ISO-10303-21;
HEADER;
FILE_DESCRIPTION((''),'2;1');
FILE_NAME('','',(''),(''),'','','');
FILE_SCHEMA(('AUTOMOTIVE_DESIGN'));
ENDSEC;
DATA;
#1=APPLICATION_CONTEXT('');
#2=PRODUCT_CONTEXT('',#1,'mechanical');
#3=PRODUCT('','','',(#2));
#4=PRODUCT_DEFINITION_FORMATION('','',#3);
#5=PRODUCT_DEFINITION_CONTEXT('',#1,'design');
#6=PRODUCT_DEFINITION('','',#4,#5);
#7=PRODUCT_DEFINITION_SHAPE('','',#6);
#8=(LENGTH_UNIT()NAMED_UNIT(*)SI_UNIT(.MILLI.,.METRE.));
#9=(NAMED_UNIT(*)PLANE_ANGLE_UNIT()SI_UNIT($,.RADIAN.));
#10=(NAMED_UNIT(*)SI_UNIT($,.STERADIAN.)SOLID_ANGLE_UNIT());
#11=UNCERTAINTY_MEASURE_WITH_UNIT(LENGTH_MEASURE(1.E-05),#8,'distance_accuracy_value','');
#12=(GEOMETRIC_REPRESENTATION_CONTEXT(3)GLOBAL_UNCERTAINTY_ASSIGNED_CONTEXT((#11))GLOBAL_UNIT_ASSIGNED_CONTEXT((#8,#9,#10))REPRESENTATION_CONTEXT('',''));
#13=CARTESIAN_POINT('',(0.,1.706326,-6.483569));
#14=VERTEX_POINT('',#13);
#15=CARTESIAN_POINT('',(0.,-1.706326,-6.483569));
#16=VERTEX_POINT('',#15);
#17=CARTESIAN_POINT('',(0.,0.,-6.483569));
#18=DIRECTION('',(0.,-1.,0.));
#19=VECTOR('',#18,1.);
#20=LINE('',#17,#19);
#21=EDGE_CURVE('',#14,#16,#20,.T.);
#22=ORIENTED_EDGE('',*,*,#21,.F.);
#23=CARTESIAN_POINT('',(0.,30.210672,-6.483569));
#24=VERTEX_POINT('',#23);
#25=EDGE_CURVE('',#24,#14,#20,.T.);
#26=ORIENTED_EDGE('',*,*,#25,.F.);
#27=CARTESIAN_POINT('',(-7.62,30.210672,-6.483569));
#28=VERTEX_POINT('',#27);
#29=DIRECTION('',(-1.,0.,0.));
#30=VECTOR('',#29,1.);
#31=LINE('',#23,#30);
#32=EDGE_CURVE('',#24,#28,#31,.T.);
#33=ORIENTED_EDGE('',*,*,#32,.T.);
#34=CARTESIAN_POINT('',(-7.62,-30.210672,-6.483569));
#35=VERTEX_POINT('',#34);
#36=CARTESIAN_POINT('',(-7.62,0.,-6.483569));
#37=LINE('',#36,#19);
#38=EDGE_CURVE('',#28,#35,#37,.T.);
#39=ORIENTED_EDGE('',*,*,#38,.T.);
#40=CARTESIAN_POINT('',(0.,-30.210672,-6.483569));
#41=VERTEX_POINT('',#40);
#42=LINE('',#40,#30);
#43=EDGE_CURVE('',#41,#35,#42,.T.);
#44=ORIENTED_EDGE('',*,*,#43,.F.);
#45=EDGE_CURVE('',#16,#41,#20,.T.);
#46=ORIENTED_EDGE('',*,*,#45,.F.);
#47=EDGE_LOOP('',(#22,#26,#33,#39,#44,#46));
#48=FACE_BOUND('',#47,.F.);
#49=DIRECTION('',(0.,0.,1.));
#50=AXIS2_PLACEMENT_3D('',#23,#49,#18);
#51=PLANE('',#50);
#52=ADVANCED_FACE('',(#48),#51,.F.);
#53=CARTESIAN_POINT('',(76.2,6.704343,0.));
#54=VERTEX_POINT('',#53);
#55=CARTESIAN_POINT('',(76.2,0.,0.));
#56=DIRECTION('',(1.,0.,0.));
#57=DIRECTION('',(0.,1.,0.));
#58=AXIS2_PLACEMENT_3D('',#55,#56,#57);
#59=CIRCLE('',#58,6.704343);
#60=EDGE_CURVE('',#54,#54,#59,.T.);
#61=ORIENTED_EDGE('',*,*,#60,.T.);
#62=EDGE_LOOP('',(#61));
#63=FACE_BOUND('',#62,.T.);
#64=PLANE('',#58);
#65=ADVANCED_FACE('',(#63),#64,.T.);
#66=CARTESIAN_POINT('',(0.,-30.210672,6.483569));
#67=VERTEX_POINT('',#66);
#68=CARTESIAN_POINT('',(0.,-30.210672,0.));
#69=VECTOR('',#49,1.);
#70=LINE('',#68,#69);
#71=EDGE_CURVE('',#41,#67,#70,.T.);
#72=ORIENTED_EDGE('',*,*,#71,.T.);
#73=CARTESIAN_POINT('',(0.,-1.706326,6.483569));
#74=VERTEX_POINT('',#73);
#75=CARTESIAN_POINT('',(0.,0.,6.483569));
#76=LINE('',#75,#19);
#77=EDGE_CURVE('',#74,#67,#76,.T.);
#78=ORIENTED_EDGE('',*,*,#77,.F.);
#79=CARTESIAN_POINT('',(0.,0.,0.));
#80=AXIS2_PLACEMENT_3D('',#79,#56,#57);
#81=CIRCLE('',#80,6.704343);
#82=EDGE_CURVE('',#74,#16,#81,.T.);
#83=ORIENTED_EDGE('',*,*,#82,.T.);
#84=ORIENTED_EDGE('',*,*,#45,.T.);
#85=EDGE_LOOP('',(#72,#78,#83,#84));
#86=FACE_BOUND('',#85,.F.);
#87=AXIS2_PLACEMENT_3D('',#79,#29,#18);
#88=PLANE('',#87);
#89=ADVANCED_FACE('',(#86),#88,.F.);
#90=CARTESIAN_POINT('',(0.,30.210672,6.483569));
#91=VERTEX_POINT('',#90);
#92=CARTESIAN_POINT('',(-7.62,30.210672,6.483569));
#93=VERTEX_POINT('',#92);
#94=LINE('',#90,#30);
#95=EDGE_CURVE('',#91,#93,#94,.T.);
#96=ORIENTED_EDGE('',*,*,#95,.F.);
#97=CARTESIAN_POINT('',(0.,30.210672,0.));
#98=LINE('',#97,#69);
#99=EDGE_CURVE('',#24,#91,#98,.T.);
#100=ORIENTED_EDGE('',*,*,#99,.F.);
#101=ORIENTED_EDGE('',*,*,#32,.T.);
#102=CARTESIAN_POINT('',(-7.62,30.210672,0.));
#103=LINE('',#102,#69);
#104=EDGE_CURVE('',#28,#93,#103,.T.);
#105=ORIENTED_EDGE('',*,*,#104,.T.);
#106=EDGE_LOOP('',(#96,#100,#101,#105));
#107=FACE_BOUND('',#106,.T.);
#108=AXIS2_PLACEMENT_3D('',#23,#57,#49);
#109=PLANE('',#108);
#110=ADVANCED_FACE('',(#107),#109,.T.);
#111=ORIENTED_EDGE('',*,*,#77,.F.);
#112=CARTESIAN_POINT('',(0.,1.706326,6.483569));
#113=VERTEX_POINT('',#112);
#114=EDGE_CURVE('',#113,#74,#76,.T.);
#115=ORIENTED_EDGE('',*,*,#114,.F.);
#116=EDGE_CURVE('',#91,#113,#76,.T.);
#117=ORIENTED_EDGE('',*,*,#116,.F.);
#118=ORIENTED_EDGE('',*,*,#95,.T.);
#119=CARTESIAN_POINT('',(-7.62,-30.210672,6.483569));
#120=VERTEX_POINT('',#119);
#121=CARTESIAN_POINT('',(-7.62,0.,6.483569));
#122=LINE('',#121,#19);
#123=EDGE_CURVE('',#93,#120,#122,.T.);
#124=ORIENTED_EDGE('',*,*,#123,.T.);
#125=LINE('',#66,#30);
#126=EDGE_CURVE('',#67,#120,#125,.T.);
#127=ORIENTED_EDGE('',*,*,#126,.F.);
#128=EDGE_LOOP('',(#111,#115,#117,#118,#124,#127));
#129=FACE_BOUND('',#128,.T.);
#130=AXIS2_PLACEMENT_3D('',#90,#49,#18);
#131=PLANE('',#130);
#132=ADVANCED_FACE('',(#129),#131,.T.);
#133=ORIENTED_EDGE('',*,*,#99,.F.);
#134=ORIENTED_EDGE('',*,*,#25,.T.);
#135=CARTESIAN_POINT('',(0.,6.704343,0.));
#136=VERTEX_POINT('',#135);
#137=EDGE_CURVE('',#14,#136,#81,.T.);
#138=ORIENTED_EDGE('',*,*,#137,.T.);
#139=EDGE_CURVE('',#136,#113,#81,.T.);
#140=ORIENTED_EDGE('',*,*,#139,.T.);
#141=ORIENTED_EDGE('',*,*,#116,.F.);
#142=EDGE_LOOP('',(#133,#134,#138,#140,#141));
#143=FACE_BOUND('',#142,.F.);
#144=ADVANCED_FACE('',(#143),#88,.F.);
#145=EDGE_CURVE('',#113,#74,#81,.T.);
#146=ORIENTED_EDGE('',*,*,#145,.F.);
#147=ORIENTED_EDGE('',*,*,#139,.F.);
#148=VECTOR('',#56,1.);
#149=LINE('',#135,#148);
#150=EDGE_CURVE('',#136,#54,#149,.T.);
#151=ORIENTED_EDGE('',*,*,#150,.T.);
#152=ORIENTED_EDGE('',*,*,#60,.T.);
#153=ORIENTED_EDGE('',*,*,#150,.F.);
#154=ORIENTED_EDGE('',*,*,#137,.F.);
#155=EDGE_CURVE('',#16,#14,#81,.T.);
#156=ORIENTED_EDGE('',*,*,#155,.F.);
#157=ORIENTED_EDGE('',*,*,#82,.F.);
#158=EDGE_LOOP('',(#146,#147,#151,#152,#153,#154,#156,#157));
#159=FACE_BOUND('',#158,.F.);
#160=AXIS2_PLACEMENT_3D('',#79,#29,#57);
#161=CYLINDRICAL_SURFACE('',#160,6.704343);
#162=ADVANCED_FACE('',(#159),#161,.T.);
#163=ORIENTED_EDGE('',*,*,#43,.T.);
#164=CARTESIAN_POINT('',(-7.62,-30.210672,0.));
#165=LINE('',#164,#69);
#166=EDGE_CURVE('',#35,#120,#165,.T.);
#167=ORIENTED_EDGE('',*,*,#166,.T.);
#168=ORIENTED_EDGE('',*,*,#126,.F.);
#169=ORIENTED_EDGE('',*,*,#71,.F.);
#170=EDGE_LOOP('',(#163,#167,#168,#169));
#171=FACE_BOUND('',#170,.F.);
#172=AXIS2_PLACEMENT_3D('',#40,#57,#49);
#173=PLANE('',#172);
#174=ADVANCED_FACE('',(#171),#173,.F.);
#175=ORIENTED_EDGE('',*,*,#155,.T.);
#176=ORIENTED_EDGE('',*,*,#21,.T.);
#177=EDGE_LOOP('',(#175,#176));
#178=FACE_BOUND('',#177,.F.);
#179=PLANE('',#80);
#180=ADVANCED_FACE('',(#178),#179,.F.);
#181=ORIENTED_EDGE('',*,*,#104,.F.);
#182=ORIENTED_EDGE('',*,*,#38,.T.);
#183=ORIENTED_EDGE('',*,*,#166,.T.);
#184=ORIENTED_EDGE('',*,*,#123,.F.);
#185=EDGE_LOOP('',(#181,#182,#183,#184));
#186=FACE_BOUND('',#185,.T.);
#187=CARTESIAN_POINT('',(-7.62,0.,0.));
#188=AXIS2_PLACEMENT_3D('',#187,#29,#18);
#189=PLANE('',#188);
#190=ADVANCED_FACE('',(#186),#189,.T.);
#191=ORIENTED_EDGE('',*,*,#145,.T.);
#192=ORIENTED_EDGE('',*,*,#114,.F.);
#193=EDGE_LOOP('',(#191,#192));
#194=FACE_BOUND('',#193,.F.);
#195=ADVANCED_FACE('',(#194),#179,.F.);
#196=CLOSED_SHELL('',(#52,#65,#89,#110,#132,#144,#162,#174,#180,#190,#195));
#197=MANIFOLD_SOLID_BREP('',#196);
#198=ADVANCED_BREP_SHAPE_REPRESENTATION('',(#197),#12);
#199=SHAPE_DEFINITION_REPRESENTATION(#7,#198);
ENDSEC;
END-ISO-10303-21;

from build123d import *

# Parameters (mm, degrees)
F0_R     = 6.704343
F1_DEPTH = 76.2
F2_W     = 60.421344
F2_H     = 12.967138
F3_DEPTH = 7.62


with BuildPart() as f1:
    # F0 (on Right) → F1 (new body)
    with BuildSketch(Plane.YZ):
        Circle(F0_R)
    extrude(amount=F1_DEPTH)

    # F2 (on face) → F3 (join)
    with BuildSketch(Plane(origin=(0, 0, 0), x_dir=(0, -1, 0), z_dir=(-1, 0, 0))):
        Rectangle(F2_W, F2_H)
    extrude(amount=F3_DEPTH)


solid = f1.part
